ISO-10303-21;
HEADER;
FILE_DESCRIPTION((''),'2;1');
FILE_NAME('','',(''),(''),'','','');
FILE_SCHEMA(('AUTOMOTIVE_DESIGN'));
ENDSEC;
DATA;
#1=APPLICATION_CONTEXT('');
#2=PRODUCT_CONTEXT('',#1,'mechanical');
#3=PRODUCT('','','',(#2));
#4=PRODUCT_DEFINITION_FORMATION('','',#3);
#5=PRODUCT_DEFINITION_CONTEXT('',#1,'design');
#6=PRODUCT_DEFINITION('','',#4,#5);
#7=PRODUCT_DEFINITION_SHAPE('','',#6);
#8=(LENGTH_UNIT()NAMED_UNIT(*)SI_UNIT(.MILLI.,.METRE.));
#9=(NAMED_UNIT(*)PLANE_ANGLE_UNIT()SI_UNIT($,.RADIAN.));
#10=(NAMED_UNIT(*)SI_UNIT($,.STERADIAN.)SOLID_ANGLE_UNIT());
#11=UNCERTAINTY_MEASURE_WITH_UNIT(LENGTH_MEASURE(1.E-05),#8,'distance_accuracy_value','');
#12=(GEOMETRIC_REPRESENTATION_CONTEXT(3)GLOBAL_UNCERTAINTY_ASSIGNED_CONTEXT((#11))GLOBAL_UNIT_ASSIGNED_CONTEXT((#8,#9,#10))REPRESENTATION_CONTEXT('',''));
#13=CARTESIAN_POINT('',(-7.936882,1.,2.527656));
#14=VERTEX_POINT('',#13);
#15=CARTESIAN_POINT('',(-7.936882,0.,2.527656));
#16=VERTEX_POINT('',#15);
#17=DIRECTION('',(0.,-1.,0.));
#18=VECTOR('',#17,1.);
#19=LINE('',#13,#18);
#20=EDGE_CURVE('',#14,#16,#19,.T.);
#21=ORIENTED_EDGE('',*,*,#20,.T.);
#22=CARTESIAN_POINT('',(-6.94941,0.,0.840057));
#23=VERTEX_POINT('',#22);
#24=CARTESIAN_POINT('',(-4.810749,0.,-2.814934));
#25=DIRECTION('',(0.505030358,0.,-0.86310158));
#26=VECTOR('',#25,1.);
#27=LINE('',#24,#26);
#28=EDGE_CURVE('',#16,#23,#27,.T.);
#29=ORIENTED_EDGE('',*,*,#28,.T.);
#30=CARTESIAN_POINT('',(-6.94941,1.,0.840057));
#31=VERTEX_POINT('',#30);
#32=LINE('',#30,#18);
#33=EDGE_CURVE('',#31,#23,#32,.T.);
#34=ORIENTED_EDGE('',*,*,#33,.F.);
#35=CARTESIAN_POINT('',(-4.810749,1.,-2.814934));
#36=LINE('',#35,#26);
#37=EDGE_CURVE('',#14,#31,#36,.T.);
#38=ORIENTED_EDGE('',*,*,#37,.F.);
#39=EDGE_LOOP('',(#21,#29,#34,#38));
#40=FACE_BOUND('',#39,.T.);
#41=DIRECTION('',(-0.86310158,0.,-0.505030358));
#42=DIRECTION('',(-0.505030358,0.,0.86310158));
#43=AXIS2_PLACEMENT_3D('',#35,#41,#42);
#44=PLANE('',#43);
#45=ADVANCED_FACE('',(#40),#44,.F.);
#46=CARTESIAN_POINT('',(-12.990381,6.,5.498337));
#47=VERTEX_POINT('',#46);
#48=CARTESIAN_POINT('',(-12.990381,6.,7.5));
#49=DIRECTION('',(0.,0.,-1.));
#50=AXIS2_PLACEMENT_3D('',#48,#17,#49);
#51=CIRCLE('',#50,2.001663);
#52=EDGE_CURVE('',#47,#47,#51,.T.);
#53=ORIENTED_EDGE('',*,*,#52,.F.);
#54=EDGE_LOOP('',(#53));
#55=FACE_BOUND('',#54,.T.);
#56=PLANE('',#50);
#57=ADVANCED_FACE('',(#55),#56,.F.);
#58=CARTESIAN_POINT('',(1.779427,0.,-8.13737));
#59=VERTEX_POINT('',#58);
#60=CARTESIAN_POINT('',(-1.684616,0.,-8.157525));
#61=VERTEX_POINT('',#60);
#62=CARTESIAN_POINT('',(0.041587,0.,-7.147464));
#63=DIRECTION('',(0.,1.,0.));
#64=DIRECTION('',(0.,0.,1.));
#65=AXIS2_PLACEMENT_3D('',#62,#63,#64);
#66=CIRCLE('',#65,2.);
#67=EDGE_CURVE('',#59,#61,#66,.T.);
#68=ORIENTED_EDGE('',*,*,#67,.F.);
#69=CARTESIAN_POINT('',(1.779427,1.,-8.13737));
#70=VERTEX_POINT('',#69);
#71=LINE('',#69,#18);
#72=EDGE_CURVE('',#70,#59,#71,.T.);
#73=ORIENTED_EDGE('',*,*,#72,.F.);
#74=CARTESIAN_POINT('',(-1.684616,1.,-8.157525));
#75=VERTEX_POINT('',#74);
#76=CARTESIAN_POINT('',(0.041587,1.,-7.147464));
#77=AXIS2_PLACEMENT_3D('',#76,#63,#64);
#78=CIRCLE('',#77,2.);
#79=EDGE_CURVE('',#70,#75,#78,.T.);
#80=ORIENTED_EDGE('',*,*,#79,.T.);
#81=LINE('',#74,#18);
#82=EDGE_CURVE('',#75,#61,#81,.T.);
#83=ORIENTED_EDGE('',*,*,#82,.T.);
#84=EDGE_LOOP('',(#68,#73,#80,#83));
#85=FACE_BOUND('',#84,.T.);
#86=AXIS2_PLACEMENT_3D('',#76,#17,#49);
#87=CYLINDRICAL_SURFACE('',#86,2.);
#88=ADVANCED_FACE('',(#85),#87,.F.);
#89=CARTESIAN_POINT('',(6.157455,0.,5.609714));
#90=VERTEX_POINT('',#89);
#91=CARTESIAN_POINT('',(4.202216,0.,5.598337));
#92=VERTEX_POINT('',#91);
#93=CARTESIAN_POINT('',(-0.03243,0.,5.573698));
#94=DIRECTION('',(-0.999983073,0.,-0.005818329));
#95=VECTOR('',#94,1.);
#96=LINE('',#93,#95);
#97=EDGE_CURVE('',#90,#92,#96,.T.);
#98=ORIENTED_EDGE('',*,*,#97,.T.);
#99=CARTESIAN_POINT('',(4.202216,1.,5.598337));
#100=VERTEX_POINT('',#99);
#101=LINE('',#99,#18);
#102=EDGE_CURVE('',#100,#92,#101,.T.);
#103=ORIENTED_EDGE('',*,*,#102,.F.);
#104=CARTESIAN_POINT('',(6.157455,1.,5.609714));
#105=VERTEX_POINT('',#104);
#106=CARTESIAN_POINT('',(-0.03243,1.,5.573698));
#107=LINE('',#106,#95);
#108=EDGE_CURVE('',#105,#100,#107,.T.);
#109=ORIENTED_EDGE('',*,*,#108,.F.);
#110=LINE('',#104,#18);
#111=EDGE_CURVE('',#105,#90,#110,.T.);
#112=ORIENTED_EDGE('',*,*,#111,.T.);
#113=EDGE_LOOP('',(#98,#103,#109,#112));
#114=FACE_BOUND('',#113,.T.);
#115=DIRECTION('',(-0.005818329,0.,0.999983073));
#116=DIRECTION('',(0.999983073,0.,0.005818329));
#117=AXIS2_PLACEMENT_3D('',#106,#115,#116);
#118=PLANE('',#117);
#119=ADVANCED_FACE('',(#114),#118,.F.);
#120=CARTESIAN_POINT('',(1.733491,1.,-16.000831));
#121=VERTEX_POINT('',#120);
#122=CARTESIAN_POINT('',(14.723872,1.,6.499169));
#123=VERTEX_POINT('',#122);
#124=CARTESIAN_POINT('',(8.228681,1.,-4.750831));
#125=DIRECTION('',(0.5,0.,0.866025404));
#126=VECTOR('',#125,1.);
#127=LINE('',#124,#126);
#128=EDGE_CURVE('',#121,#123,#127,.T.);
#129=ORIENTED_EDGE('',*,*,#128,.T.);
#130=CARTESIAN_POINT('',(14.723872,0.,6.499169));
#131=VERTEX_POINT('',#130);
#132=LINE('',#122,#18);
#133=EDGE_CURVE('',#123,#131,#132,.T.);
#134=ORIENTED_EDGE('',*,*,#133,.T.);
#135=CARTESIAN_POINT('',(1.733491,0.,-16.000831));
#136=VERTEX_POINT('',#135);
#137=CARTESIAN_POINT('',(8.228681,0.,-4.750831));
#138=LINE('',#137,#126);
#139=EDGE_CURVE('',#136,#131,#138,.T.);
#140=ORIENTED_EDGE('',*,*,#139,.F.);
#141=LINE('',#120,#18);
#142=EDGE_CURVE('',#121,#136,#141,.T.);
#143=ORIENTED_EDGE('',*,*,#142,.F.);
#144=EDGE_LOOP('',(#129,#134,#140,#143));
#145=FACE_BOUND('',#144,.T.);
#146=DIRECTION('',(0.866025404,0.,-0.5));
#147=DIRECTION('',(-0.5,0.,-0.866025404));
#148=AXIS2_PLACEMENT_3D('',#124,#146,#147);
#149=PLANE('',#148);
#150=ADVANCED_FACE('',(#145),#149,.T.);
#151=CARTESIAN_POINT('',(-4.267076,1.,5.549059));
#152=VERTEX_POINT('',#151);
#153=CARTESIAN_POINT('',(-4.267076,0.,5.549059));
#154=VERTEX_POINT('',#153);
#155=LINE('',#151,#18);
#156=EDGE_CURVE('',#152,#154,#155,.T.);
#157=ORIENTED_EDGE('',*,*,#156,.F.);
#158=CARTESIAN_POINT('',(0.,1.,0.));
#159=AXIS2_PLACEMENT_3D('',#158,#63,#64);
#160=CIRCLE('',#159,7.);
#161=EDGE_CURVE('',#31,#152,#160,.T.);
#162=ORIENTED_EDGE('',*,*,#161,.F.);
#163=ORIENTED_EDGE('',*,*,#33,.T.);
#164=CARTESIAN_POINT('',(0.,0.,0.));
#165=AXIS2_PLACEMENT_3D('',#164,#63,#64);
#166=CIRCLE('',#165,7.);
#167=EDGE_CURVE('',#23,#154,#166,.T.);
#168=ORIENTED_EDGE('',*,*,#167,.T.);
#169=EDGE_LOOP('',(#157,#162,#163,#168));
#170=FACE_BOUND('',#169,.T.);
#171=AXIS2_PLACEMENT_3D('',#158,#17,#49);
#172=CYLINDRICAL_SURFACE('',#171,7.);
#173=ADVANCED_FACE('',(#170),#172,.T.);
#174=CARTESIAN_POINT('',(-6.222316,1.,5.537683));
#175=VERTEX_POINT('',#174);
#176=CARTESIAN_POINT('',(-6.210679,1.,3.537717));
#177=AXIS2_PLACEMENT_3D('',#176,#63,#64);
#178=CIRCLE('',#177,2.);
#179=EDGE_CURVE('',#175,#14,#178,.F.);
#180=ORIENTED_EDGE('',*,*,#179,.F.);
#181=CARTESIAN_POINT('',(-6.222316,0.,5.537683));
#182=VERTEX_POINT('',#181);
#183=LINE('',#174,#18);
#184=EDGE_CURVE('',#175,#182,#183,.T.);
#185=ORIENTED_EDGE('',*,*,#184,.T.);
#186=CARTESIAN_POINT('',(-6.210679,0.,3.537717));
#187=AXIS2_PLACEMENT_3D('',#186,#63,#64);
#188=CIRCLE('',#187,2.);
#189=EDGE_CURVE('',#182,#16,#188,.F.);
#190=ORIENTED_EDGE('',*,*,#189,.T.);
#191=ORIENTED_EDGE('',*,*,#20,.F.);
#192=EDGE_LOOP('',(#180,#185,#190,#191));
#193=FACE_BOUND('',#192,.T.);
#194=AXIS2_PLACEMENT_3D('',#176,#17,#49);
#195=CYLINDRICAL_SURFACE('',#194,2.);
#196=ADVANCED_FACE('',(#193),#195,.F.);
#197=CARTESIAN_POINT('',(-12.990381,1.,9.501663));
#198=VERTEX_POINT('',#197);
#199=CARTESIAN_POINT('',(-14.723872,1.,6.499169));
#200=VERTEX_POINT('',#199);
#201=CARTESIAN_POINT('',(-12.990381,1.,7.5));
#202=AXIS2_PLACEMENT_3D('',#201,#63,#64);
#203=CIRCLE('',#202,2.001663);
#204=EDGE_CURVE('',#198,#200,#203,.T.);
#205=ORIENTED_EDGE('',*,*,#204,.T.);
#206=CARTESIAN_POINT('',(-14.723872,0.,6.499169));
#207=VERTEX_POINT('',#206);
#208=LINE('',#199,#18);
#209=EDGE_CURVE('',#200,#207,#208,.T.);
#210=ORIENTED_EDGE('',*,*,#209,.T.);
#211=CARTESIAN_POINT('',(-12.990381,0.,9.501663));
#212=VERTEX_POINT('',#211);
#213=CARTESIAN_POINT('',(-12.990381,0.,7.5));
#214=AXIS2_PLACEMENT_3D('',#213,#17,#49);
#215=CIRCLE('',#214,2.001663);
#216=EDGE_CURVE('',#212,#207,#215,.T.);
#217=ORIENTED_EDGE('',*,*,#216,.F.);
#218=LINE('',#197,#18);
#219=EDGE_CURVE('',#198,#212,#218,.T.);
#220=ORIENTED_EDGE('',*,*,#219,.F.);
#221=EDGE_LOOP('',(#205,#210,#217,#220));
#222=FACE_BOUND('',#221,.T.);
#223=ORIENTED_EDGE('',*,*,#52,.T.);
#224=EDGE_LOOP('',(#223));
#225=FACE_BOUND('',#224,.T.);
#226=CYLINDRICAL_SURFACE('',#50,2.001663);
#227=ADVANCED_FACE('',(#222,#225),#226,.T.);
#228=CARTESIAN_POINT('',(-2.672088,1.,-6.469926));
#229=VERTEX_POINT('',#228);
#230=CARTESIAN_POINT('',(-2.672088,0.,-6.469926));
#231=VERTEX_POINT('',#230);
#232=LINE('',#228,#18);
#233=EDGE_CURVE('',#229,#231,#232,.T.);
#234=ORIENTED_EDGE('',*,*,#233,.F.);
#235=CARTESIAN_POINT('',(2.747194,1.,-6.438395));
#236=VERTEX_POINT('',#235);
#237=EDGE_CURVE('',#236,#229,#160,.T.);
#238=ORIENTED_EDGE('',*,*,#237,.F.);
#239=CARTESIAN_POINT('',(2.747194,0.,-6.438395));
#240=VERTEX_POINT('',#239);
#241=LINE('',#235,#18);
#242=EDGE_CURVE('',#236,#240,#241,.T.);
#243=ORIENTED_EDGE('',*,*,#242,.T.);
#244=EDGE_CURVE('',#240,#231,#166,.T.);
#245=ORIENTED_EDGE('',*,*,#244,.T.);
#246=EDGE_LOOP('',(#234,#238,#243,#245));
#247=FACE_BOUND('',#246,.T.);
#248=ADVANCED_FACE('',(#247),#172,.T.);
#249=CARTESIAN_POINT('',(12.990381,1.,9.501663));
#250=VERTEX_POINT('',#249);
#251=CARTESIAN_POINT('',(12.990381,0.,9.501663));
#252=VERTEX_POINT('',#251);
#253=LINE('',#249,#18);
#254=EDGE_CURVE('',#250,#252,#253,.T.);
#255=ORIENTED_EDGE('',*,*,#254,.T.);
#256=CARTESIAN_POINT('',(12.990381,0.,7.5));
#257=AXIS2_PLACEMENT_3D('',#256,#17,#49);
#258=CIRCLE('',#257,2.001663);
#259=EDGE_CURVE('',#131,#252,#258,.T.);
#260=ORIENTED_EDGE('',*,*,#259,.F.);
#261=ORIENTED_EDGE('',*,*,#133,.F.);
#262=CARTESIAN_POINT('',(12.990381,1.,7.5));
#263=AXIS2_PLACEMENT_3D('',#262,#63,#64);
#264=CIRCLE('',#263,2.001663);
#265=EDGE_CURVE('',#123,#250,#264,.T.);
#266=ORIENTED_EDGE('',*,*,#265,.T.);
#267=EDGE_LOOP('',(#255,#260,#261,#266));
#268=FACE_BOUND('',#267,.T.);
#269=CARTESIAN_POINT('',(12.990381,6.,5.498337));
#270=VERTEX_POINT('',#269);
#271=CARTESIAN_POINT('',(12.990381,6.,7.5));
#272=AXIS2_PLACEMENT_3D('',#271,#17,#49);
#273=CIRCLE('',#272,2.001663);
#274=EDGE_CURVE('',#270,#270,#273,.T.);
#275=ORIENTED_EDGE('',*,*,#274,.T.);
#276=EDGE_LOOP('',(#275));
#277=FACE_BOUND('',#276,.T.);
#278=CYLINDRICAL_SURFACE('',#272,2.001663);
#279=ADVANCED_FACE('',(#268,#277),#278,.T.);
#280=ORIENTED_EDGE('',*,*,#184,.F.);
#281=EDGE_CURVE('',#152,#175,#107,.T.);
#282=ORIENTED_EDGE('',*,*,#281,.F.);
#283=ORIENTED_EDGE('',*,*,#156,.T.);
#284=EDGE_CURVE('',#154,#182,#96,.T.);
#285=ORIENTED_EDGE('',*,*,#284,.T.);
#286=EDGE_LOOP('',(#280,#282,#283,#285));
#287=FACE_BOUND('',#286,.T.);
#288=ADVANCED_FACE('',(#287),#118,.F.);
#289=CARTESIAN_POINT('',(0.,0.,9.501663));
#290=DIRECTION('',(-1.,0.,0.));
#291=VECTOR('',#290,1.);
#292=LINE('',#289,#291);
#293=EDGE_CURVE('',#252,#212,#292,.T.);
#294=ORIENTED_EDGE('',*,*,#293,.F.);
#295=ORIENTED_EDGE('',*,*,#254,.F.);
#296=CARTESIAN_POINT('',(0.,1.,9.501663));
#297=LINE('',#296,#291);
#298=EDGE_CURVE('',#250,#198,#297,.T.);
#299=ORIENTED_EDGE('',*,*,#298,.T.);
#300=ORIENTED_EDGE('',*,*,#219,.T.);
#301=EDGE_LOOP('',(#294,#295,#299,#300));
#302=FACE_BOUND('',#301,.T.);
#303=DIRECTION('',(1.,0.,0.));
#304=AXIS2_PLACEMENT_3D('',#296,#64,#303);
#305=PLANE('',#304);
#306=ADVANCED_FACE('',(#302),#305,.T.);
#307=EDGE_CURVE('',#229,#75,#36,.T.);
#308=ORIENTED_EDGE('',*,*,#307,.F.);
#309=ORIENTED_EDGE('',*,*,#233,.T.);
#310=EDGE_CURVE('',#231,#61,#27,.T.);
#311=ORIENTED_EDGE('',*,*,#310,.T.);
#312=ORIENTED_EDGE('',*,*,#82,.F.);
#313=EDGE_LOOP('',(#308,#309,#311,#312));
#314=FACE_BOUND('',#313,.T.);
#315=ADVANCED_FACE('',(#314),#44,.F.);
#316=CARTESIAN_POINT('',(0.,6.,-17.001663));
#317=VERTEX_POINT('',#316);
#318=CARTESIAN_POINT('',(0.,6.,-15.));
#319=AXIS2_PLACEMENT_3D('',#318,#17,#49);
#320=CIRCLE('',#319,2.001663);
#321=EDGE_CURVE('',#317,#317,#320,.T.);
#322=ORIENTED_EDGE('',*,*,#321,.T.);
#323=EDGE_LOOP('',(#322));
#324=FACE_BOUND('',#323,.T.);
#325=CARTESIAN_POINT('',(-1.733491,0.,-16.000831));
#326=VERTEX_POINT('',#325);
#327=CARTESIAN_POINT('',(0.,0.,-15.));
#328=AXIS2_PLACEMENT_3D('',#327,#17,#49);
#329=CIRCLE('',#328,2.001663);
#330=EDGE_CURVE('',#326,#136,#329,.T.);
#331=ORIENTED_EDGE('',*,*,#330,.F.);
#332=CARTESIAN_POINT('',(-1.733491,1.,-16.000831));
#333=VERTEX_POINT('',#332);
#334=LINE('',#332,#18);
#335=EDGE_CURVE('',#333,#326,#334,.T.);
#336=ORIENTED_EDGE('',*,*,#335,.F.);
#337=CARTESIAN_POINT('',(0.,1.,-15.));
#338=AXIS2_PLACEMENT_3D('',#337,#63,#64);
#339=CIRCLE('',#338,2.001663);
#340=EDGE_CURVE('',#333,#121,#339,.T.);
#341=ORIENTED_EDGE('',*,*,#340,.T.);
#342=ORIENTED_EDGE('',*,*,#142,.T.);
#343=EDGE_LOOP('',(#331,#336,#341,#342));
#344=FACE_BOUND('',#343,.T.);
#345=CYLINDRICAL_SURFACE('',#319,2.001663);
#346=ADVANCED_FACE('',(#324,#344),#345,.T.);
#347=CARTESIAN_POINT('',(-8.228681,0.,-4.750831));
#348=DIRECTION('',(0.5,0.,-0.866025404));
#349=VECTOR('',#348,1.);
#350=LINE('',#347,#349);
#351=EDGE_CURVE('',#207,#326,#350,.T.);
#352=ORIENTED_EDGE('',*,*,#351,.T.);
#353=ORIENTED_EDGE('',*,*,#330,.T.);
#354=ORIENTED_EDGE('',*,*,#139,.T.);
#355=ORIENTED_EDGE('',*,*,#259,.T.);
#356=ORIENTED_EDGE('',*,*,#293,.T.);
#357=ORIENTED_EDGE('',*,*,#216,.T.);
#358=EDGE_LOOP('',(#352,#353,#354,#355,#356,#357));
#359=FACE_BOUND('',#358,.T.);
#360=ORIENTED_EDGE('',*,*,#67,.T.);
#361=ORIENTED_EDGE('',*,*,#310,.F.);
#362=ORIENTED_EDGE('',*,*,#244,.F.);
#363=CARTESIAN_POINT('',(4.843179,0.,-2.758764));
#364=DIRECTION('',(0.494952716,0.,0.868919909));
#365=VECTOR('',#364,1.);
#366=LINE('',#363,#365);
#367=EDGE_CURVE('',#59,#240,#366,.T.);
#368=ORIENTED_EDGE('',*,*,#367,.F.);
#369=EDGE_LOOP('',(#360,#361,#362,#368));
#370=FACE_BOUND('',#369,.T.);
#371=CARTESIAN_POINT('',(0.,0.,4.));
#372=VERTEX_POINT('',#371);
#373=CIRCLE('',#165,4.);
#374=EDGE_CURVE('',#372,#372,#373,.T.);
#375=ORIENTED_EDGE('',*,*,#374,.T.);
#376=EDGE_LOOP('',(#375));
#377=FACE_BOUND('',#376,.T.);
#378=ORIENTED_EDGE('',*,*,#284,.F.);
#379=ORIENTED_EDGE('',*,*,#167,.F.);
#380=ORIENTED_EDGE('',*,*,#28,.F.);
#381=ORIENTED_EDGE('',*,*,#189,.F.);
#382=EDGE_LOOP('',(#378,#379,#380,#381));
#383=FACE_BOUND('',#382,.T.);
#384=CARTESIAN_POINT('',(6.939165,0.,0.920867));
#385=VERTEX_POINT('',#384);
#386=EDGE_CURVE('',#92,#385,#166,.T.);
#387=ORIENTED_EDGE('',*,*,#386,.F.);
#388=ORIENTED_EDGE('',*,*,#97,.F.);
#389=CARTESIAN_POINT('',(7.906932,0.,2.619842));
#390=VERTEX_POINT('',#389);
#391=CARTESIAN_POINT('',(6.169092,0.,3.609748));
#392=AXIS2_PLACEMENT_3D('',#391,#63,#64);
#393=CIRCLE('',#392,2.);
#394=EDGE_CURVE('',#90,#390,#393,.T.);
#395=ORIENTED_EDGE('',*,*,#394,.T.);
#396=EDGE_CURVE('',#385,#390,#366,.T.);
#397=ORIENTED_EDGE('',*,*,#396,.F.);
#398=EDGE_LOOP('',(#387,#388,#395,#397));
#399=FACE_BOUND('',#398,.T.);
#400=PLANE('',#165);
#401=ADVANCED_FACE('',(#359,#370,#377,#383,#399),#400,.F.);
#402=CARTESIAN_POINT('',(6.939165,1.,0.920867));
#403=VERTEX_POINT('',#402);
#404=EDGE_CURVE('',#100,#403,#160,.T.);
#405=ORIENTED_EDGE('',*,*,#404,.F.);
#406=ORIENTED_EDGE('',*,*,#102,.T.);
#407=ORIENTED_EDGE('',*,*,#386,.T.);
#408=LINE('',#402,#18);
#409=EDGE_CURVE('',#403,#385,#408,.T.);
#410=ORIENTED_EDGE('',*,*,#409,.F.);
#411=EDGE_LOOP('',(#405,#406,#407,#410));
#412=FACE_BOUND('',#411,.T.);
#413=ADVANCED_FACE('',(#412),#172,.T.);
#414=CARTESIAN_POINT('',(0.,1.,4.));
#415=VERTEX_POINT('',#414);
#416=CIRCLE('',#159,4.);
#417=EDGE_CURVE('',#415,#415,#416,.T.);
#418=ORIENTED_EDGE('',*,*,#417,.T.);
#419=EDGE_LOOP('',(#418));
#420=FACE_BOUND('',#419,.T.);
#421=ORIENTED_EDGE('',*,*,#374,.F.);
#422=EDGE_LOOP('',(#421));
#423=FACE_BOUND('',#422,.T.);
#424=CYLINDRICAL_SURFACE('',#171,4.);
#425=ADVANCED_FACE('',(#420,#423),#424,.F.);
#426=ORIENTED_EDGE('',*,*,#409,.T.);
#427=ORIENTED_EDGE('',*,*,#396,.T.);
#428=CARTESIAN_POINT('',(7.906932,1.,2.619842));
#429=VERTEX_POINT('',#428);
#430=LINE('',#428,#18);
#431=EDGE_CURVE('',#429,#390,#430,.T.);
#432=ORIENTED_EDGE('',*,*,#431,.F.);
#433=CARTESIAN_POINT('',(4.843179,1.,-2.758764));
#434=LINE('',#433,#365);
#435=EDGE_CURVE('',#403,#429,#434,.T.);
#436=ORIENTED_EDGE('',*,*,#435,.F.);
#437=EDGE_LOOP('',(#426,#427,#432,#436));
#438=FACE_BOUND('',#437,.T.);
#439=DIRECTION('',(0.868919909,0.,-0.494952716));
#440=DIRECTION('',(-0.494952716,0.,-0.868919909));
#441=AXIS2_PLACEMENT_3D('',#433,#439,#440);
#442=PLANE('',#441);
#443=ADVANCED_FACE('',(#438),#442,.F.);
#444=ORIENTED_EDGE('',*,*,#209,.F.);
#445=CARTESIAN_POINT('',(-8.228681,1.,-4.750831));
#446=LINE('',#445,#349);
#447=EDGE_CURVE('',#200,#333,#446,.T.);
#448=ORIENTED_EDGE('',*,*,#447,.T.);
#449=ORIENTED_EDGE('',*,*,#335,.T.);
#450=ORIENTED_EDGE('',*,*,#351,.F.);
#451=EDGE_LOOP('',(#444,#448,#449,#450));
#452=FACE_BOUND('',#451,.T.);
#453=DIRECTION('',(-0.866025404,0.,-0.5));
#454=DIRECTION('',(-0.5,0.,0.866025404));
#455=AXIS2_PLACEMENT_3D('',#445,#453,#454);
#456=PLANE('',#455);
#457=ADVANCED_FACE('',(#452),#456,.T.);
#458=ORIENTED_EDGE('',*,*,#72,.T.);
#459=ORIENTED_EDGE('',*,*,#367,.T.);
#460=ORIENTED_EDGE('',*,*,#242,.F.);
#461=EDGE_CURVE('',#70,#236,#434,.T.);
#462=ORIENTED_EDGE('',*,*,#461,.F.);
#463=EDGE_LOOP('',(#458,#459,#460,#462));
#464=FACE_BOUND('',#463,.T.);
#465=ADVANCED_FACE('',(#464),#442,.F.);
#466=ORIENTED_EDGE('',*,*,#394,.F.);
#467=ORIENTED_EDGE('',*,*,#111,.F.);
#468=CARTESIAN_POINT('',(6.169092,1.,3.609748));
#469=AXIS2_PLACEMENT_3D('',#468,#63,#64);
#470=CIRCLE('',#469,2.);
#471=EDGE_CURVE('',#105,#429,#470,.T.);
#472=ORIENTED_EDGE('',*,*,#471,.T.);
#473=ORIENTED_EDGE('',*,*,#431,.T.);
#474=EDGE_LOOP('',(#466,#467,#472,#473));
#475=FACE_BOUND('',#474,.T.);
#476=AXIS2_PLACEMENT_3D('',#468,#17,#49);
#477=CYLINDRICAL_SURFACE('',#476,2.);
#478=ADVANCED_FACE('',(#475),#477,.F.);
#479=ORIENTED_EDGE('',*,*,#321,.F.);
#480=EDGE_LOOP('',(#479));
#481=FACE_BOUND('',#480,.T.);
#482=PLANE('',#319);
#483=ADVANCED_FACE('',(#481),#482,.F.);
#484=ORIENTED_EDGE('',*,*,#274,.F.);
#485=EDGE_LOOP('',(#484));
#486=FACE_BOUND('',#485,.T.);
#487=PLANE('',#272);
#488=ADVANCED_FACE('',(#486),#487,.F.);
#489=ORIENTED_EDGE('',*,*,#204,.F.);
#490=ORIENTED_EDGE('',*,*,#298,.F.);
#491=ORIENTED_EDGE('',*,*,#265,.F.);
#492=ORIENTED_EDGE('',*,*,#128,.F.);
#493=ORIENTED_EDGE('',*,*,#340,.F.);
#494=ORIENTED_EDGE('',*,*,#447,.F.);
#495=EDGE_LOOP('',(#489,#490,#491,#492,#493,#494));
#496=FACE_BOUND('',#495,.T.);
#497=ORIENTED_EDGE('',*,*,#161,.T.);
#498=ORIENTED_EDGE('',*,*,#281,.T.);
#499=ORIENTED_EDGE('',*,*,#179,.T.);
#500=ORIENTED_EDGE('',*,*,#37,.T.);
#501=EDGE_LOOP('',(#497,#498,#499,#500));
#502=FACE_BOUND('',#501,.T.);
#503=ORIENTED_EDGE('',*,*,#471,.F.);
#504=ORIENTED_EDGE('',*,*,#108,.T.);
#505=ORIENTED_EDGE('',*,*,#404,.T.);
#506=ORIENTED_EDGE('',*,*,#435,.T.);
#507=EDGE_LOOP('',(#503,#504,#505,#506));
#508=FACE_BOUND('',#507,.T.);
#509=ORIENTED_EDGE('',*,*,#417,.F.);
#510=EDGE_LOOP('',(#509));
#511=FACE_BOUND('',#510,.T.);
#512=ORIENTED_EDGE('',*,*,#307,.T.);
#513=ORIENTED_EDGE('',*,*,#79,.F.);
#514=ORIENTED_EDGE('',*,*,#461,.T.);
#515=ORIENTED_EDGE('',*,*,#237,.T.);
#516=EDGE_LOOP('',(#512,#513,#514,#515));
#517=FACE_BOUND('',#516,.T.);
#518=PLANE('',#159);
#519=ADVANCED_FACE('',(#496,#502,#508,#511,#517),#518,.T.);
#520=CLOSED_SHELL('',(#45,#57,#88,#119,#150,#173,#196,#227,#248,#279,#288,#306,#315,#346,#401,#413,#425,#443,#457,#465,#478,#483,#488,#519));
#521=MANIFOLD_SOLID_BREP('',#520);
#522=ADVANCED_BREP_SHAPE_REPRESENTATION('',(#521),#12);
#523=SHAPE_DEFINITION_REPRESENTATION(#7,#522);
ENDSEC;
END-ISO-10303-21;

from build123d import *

# Parameters (mm, degrees)
SKETCH1_R           = 4
BOSS_EXTRUDE1_DEPTH = 1
SKETCH3_R           = 2.001662742
BOSS_EXTRUDE2_DEPTH = 6


with BuildPart() as part:
    # Sketch1 → Boss-Extrude1 (new body)
    with BuildSketch(Plane(origin=(0, 0, 0), x_dir=(1, 0, 0), z_dir=(0, 1, 0))):
        with BuildLine():
            Line((-1.733490784, 16.000831371), (-14.723871841, -6.499168629))
            ThreePointArc((-14.723871841, -6.499168629), (-12.472312617, -5.566542262), (-10.988718315, -7.5))
            ThreePointArc((-10.988718315, -7.5), (-11.574991759, -8.915389298), (-12.990381057, -9.501662742))
            Line((-12.990381057, -9.501662742), (12.990381057, -9.501662742))
            ThreePointArc((12.990381057, -9.501662742), (11.256890273, -6.499168629), (14.723871841, -6.499168629))
            Line((14.723871841, -6.499168629), (1.733490784, 16.000831371))
            ThreePointArc((1.733490784, 16.000831371), (1.933457738, 15.518068439), (2.001662742, 15))
            ThreePointArc((2.001662742, 15), (-0.518068439, 13.066542262), (-1.733490784, 16.000831371))
        make_face()
        with BuildLine():
            ThreePointArc((-6.22231578, -5.537682874), (-7.948518941, -4.527622159), (-7.936882283, -2.527656013))
            Line((-7.936882283, -2.527656013), (-6.949410322, -0.840057244))
            ThreePointArc((-6.949410322, -0.840057244), (-6.082439366, -3.464669011), (-4.267076395, -5.549059293))
            Line((-4.267076395, -5.549059293), (-6.22231578, -5.537682874))
        make_face(mode=Mode.SUBTRACT)
        with Locations(Location((0, 0, 0), (0, 0, 270))):
            Circle(SKETCH1_R, mode=Mode.SUBTRACT)
        with BuildLine():
            ThreePointArc((7.906931938, -2.619842099), (7.895295279, -4.619808246), (6.15745546, -5.609713677))
            Line((6.15745546, -5.609713677), (4.202216075, -5.598337258))
            ThreePointArc((4.202216075, -5.598337258), (6.041711062, -3.535212503), (6.939164513, -0.920866911))
            Line((6.939164513, -0.920866911), (7.906931938, -2.619842099))
        make_face(mode=Mode.SUBTRACT)
        with BuildLine():
            ThreePointArc((-1.684616157, 8.157524973), (0.053223662, 9.147430405), (1.779426822, 8.13736969))
            Line((1.779426822, 8.13736969), (2.747194247, 6.438394502))
            ThreePointArc((2.747194247, 6.438394502), (0.040728304, 6.999881514), (-2.672088118, 6.469926204))
            Line((-2.672088118, 6.469926204), (-1.684616157, 8.157524973))
        make_face(mode=Mode.SUBTRACT)
    extrude(amount=BOSS_EXTRUDE1_DEPTH)

    # Sketch3 → Boss-Extrude2 (add)
    with BuildSketch(Plane.XZ):
        with Locations(Location((-12.990381057, 7.5, 0), (0, 0, 270))):
            Circle(SKETCH3_R)
        with Locations(Location((12.990381057, 7.5, 0), (0, 0, 270))):
            Circle(SKETCH3_R)
        with Locations(Location((0, -15, 0), (0, 0, 270))):
            Circle(SKETCH3_R)
    extrude(amount=-BOSS_EXTRUDE2_DEPTH)


solid = part.part
